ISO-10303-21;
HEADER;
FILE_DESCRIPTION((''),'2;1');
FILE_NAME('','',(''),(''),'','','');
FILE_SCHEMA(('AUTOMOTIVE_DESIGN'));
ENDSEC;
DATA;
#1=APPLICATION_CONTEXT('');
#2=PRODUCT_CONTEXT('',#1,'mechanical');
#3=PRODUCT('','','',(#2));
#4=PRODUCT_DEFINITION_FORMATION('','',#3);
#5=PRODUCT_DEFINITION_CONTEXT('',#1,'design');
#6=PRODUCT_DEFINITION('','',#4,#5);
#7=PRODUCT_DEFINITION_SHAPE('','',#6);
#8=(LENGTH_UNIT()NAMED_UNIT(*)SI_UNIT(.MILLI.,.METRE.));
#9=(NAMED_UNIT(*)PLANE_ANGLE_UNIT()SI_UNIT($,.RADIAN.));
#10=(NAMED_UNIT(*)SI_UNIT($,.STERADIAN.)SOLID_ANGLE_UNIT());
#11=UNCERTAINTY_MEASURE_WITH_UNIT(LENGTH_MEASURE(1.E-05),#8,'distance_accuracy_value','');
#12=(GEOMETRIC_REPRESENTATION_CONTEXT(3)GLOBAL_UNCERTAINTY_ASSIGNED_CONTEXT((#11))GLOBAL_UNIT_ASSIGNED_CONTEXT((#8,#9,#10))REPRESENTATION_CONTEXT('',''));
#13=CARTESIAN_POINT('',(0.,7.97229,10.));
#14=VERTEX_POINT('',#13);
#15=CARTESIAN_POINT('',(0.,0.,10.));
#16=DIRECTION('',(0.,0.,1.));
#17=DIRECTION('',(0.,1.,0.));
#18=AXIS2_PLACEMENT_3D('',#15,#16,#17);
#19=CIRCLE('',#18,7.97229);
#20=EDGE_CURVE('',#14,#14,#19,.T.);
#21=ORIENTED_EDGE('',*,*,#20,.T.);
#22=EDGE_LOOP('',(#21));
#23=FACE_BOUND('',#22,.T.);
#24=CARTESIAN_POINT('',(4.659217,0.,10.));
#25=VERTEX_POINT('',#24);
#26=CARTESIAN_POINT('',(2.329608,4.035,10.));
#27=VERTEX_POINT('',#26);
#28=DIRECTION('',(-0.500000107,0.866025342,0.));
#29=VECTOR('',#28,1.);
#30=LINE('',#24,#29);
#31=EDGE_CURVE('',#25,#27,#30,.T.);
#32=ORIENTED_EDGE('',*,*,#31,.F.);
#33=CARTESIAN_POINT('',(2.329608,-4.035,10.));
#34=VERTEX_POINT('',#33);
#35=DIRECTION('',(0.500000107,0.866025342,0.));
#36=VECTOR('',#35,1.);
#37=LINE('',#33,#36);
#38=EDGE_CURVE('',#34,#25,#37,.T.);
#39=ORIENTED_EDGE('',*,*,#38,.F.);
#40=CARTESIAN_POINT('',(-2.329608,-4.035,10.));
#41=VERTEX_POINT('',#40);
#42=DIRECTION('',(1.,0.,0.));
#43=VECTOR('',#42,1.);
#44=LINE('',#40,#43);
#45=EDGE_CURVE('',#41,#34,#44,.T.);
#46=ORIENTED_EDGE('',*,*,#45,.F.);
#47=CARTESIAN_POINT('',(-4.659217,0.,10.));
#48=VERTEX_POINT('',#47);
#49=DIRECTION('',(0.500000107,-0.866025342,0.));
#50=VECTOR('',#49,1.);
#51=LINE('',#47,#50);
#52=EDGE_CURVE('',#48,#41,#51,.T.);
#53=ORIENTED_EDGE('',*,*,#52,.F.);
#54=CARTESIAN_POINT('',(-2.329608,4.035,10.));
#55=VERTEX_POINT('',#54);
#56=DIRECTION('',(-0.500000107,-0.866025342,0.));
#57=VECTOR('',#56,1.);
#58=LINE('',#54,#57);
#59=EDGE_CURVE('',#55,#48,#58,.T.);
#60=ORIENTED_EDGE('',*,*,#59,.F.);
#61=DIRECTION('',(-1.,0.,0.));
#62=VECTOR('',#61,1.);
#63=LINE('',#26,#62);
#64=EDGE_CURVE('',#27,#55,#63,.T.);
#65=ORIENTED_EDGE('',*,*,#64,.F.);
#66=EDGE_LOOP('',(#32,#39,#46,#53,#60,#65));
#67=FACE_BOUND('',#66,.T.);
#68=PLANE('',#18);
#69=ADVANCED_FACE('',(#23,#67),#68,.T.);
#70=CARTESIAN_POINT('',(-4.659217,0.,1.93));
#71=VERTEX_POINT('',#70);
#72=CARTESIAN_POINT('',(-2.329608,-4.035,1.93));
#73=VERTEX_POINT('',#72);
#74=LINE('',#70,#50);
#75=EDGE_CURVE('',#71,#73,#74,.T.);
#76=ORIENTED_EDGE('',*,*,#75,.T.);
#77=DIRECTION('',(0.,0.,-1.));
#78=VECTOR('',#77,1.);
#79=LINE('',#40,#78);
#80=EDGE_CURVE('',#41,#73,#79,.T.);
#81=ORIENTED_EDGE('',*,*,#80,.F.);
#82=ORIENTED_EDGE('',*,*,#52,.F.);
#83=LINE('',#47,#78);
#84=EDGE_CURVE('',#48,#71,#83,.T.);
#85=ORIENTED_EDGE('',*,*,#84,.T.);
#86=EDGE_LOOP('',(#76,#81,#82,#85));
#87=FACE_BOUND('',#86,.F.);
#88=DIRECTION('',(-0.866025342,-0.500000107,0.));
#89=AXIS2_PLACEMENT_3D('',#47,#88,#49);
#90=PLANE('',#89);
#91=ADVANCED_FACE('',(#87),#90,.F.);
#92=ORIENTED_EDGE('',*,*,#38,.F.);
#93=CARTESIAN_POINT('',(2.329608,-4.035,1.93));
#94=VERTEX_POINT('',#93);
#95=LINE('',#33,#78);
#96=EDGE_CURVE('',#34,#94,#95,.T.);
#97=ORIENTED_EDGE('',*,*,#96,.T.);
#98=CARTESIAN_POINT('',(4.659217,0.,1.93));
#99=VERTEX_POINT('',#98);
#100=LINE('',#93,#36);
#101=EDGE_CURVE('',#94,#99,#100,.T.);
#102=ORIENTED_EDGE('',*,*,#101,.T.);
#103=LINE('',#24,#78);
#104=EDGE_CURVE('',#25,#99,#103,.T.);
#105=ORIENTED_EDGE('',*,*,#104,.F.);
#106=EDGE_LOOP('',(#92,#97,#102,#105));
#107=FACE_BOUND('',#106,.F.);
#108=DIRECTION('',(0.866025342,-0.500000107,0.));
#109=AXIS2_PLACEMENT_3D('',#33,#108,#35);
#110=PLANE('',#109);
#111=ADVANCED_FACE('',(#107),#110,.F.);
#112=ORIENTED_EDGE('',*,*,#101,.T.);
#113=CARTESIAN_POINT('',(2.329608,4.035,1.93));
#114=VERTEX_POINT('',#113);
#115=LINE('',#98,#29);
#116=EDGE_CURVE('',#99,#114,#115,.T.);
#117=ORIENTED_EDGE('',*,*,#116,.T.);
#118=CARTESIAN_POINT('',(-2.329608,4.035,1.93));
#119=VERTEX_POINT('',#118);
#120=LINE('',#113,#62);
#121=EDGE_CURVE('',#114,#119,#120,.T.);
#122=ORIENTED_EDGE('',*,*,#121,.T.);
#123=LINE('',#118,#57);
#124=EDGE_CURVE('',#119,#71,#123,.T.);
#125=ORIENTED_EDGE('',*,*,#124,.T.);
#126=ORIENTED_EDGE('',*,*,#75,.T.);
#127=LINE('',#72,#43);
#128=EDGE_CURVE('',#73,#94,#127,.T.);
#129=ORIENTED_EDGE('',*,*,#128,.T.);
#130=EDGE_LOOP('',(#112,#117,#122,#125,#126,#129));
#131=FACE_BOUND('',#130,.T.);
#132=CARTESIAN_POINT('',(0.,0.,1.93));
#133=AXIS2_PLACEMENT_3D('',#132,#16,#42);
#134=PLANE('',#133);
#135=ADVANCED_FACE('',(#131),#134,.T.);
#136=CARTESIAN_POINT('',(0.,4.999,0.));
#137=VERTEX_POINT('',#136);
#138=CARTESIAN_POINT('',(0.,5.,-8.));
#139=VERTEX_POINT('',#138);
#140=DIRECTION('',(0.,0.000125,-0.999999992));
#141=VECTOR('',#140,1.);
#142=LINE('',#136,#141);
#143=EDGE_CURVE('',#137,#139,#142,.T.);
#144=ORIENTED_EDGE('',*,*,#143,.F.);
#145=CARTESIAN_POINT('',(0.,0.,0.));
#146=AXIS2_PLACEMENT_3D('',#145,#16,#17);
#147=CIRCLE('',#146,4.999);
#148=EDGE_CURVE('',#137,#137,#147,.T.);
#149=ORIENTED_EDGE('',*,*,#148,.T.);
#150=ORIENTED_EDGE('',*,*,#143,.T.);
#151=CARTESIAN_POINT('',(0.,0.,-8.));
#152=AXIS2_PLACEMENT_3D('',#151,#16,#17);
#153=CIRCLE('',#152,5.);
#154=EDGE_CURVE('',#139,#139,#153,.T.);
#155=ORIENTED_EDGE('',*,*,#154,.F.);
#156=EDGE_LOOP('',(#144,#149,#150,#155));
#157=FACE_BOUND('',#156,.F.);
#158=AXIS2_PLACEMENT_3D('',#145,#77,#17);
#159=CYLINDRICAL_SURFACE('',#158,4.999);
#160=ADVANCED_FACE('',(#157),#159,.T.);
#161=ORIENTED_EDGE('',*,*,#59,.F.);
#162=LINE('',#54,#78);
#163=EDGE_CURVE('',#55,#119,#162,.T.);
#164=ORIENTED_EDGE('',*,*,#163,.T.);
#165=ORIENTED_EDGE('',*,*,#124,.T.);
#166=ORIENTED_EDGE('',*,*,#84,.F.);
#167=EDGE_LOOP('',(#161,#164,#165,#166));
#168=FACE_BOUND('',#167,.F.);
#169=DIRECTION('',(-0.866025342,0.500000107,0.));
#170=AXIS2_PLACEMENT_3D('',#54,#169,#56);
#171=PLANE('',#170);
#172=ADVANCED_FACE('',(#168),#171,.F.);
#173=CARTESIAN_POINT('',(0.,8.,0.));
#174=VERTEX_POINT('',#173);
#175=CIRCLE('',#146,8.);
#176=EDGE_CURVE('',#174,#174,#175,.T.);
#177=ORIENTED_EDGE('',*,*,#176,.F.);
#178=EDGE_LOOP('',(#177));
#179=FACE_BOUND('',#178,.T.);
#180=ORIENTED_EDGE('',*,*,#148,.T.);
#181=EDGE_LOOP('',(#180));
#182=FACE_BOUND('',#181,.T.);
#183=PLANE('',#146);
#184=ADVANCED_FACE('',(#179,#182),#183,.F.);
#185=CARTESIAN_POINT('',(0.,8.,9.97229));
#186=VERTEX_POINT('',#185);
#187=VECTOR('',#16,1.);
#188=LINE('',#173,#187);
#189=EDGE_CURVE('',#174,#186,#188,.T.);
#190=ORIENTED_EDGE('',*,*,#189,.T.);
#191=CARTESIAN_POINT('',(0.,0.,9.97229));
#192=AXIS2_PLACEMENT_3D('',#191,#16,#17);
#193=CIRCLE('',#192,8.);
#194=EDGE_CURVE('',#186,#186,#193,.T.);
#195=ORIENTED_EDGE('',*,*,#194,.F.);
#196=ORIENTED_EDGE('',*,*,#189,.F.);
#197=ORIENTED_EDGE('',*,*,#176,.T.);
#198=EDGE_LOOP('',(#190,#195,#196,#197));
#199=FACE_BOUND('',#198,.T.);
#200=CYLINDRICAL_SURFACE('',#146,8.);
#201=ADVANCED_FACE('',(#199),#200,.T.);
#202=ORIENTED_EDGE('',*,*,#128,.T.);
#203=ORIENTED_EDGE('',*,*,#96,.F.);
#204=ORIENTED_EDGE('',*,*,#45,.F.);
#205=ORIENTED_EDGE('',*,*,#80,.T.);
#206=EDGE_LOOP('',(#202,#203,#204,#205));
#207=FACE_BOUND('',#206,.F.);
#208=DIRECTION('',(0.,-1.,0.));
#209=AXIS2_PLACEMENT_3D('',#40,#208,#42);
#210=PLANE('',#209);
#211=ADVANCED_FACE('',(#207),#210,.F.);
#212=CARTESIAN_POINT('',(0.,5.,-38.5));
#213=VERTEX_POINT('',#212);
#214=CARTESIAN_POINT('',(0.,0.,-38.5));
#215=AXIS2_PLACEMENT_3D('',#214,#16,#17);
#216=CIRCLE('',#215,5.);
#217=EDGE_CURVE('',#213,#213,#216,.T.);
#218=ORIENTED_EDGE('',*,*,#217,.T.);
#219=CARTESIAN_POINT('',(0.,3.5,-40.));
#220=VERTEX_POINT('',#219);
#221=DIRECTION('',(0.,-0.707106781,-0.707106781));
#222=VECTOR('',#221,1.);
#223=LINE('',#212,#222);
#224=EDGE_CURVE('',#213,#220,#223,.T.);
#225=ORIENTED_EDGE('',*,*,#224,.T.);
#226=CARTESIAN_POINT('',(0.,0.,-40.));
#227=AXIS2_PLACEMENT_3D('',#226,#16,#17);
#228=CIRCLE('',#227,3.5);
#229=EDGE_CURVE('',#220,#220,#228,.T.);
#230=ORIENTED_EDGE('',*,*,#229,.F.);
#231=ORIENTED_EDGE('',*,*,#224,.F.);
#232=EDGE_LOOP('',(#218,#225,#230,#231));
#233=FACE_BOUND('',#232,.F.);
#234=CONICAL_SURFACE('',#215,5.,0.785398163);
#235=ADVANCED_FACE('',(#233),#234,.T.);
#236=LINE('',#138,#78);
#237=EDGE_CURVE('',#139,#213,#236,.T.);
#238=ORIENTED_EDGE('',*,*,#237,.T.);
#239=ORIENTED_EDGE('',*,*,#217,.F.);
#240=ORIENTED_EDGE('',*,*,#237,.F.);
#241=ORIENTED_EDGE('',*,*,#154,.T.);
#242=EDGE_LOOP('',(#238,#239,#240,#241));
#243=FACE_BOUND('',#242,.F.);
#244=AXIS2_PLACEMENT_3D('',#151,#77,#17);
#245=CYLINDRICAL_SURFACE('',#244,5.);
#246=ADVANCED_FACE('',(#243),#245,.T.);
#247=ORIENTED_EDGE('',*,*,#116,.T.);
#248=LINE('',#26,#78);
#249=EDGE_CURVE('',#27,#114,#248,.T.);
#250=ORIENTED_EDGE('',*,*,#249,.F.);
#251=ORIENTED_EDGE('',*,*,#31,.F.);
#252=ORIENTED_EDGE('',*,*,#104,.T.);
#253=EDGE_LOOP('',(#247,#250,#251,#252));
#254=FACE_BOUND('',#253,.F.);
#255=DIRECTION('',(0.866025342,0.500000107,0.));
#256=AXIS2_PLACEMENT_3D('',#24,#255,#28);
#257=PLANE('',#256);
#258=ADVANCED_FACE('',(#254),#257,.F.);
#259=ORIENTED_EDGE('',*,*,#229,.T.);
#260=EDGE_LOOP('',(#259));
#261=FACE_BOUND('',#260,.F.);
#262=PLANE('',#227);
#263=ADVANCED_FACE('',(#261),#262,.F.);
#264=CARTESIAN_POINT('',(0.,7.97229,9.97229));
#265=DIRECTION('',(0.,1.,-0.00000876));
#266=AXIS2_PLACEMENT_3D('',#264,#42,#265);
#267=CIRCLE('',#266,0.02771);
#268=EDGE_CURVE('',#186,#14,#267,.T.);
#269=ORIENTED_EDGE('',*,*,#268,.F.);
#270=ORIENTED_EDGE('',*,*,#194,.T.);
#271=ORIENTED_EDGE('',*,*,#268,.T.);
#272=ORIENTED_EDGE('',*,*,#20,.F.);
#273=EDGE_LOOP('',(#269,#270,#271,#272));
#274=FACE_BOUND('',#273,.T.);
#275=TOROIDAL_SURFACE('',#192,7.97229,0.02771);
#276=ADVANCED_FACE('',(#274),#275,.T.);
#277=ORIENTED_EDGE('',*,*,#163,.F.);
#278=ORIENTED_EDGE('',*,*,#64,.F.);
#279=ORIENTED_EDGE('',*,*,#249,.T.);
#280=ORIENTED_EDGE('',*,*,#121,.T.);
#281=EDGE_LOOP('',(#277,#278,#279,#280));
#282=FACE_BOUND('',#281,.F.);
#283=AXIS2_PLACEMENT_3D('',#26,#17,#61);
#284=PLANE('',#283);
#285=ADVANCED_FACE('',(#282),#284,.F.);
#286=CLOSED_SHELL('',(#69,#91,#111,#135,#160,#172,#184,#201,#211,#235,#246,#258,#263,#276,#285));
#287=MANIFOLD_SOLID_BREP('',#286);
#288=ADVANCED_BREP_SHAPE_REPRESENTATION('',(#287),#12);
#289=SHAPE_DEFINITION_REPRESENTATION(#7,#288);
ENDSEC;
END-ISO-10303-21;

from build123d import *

# Parameters (mm, degrees)
POCKET_DEPTH = 8.07


with BuildPart() as part:
    # Sketch → Revolve (revolve)
    with BuildSketch(Plane.YZ):
        with BuildLine():
            Line((4.999, 0), (8, 0))
            Line((8, 0), (8, 9.97229))
            ThreePointArc((8, 9.97229), (7.991884, 9.991884), (7.97229, 10))
            Line((7.97229, 10), (0, 10))
            Line((0, -40), (0, 10))
            Line((3.5, -40), (0, -40))
            Line((5, -38.5), (3.5, -40))
            Line((5, -8), (5, -38.5))
            Line((4.999, 0), (5, -8))
        make_face()
    revolve(axis=Axis((0, 0, 0), (0, 0, 1)))

    # Sketch001 → Pocket (cut)
    with BuildSketch(Plane.XY.offset(10)):
        Polygon((4.659217, 0), (2.329608, 4.035), (-2.329608, 4.035), (-4.659217, 0), (-2.329608, -4.035), (2.329608, -4.035), align=None)
    extrude(amount=-POCKET_DEPTH, mode=Mode.SUBTRACT)


solid = part.part
